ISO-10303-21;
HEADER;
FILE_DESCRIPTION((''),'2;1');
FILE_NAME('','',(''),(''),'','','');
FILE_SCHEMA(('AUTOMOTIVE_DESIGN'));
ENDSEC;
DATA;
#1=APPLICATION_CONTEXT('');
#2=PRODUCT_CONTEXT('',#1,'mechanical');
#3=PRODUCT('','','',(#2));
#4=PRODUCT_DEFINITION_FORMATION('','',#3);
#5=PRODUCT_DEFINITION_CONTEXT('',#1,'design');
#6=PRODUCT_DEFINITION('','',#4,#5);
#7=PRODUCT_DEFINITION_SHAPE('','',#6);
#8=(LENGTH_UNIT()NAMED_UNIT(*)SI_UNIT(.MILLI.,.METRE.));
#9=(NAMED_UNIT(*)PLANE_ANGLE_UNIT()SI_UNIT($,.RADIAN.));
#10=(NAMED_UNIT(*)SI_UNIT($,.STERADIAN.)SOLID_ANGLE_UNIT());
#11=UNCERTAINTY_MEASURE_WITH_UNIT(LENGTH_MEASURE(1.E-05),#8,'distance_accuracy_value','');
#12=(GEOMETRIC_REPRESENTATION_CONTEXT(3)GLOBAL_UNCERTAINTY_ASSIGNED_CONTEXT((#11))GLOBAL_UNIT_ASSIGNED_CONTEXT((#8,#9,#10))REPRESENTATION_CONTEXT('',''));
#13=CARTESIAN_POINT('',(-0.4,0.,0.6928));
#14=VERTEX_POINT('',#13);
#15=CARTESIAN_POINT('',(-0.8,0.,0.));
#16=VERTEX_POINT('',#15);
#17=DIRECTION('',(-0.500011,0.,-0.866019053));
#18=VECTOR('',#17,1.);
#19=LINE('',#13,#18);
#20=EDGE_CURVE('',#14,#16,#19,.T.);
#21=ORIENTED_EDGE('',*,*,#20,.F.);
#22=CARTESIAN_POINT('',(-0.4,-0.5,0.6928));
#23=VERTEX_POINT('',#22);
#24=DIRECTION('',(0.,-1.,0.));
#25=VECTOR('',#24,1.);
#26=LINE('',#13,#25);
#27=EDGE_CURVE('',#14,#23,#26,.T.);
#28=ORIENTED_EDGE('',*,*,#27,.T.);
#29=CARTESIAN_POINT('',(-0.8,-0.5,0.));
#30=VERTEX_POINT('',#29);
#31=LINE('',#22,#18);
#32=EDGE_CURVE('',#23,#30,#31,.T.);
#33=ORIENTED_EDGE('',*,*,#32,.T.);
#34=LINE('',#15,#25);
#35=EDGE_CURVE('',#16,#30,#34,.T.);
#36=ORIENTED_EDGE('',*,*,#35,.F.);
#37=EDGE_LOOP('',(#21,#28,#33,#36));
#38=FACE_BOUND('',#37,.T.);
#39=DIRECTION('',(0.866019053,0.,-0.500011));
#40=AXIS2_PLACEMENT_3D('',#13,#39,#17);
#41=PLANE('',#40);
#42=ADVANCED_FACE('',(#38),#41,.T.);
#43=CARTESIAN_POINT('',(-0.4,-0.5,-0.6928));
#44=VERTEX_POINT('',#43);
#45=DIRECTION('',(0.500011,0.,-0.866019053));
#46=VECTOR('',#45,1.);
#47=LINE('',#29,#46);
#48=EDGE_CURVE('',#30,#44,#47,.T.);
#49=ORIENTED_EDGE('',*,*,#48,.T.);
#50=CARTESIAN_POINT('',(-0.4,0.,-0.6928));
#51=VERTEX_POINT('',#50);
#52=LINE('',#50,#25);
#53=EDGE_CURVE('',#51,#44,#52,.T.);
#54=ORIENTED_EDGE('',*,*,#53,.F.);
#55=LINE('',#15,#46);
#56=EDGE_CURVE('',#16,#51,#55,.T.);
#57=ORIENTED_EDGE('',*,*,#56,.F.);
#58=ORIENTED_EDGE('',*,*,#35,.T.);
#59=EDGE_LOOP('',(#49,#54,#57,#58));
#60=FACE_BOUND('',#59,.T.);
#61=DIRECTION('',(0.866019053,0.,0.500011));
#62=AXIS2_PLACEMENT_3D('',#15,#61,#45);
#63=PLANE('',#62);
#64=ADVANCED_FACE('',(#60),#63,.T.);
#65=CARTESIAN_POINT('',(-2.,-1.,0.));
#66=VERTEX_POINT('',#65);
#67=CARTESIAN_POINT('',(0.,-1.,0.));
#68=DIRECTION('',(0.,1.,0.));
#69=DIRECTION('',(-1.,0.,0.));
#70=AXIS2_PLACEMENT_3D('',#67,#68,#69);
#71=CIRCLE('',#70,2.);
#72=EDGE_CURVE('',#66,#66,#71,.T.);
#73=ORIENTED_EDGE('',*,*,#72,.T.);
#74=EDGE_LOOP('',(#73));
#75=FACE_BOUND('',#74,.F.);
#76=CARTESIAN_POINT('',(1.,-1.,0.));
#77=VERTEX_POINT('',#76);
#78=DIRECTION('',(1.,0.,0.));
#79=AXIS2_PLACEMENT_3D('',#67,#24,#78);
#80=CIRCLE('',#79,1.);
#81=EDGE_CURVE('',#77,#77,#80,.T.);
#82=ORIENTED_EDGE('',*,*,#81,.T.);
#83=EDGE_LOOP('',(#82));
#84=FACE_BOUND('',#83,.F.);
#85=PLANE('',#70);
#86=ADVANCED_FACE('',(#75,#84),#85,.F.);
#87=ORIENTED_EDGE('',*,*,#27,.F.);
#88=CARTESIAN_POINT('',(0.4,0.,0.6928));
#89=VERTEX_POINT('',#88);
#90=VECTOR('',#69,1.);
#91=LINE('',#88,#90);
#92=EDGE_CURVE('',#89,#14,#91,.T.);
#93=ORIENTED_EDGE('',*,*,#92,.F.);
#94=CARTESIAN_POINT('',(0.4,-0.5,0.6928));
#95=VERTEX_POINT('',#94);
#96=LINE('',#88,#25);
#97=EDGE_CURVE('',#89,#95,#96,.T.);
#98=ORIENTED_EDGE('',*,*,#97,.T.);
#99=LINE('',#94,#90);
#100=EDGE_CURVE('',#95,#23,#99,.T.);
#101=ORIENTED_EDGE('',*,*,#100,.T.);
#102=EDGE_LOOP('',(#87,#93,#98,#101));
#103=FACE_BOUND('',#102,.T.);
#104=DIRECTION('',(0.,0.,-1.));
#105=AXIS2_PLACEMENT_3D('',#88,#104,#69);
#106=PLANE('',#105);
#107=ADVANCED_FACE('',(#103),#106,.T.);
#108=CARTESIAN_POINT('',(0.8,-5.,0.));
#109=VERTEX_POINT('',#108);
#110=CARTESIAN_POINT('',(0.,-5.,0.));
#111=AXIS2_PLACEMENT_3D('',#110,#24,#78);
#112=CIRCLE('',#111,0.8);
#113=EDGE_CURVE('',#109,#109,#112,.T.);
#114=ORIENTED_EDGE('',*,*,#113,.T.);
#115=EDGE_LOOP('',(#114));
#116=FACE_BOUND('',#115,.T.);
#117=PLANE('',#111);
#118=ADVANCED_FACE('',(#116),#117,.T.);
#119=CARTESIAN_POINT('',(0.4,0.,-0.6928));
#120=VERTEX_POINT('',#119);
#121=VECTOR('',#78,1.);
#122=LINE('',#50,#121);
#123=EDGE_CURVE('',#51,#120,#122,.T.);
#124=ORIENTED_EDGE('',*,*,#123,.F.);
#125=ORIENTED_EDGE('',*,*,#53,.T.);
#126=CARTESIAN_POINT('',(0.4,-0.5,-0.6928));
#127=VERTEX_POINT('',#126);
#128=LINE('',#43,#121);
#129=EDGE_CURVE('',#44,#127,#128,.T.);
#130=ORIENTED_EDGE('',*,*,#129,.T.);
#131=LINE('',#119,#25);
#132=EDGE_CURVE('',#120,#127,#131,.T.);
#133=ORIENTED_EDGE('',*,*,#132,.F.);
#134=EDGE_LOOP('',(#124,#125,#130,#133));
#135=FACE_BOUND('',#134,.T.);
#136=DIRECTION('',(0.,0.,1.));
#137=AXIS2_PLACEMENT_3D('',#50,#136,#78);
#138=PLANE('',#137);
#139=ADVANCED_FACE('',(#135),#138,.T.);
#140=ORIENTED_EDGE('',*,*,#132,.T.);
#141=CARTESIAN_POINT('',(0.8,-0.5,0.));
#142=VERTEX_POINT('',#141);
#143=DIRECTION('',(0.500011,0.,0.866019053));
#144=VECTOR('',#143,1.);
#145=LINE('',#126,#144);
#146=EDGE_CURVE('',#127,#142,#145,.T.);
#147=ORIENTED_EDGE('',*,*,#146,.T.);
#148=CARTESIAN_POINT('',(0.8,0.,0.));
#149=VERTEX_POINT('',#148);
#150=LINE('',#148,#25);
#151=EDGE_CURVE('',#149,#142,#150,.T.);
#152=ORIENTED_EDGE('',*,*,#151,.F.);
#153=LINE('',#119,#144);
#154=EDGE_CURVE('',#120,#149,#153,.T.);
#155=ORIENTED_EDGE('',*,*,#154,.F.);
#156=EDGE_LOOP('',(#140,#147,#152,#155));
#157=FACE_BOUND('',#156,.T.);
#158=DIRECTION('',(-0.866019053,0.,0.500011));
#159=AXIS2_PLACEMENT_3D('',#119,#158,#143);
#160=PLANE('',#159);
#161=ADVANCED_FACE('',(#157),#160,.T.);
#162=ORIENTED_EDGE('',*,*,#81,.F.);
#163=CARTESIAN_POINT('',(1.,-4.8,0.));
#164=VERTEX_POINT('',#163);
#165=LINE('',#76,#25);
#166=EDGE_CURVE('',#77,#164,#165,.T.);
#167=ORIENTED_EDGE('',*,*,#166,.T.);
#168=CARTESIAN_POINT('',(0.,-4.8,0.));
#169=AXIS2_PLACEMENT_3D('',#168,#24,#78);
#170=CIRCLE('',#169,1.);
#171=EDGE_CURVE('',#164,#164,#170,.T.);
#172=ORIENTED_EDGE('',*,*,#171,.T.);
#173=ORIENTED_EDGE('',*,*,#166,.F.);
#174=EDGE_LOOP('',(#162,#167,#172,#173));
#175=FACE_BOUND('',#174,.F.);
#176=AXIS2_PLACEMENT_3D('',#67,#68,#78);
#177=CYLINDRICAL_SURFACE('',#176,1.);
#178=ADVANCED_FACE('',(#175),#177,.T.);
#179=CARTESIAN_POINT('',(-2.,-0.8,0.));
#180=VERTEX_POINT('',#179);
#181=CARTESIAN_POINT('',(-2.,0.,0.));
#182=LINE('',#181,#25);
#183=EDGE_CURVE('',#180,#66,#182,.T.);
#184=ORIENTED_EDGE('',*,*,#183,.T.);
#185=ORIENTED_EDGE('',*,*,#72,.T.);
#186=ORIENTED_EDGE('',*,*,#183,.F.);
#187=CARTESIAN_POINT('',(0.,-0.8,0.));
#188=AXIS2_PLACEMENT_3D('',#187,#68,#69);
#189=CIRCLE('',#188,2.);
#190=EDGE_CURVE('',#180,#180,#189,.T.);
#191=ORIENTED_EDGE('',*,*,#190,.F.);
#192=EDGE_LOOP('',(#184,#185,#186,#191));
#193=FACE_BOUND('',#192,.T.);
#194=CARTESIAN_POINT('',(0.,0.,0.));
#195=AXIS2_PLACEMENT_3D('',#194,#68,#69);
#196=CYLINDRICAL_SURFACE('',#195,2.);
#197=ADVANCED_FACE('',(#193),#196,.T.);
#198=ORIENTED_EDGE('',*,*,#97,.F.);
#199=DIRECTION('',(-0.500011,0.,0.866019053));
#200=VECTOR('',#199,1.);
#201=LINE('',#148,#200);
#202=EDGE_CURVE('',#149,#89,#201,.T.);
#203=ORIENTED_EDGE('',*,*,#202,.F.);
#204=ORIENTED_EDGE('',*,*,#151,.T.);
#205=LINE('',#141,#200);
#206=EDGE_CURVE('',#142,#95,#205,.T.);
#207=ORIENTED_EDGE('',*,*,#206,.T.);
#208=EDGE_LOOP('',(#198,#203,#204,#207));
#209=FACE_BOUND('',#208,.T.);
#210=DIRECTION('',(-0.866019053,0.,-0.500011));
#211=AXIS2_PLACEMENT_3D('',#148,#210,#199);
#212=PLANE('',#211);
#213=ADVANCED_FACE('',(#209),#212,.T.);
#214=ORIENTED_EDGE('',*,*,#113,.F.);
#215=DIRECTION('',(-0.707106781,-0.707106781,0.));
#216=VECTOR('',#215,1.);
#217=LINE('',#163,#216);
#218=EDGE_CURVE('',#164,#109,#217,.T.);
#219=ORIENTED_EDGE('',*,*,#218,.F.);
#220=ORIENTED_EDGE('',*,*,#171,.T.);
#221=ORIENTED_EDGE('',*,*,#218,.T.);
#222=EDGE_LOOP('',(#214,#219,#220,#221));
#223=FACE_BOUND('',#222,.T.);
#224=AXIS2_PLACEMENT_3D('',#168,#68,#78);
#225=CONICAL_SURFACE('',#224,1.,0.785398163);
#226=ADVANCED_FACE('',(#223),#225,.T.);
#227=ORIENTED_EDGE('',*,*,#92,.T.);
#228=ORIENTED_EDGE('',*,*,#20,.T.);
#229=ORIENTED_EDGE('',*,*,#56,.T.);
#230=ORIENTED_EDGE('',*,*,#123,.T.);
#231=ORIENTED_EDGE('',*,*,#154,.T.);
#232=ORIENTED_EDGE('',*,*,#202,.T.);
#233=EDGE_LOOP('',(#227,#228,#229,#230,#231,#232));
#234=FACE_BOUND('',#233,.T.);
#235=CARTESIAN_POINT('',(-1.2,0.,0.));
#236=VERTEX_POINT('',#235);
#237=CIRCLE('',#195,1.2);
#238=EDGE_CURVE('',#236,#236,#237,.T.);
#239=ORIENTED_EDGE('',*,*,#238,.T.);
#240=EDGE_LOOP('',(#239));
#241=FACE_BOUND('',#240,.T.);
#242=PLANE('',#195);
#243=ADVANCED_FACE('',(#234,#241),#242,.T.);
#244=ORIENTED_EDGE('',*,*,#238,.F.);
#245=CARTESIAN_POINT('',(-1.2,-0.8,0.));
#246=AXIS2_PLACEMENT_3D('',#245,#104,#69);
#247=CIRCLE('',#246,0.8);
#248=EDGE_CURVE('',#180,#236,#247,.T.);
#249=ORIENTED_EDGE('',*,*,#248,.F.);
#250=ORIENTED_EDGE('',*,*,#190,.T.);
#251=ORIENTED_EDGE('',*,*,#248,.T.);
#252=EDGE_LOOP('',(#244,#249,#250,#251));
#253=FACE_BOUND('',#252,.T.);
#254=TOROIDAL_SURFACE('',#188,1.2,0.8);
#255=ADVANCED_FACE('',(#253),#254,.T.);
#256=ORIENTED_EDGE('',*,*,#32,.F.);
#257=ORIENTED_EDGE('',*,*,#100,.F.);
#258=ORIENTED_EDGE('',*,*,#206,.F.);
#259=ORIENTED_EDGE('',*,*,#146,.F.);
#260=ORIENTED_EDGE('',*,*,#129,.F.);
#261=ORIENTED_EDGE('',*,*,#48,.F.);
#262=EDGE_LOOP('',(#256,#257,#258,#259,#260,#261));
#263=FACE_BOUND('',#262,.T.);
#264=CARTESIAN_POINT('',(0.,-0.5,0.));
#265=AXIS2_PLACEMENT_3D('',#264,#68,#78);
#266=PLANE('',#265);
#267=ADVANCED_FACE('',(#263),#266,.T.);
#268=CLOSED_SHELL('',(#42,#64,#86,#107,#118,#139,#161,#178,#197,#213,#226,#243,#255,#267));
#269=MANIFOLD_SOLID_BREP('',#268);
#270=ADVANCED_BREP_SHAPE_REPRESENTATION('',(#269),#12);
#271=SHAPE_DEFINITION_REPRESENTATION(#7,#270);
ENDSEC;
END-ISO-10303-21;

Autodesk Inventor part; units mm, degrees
ref_plane "YZ Plane" through (0, 0, 0) normal (1, 0, 0) x (0, 1, 0)
ref_plane "XZ Plane" through (0, 0, 0) normal (0, 1, 0) x (-1, 0, 0)
ref_plane "XY Plane" through (0, 0, 0) normal (0, 0, 1) x (1, 0, 0)
sketch "スケッチ1" plane through (0, 0, 0) normal (0, 1, 0) x (-1, 0, 0)
  circle A0 centre (0, 0) radius 2
  dimension "d0" = 4
extrude "押し出し1" add sketch "スケッチ1" against normal blind 1
sketch "スケッチ2" plane through (0, -1, 0) normal (0, -1, 0) x (1, 0, 0)
  circle A0 centre (0, 0) radius 1
  dimension "d3" = 2
extrude "押し出し2" add sketch "スケッチ2" along normal blind 4
chamfer "面取り1" distance 0.2 angle 45 1 edges at (-1, -5, 0)
fillet "フィレット1" radius 0.8 1 edges at (2, 0, 0)
thread "ねじ1" size "M2x0.4" class "6g" standard "ANSI Metric M Profile" full length
sketch "スケッチ3" plane through (0, 0, 0) normal (0, 1, 0) x (1, 0, 0)
  circle A0 centre (0, 0) radius 0.8 projected
  line L0 (-0.8, 0) -> (-0.4, 0.6928)
  line L1 (-0.8, 0) -> (0, 0) construction
  line L2 (-0.4, -0.6928) -> (-0.8, 0)
  line L3 (0.4, -0.6928) -> (-0.4, -0.6928)
  line L4 (0.8, 0) -> (0.4, -0.6928)
  line L5 (0.4, 0.6928) -> (0.8, 0)
  line L6 (-0.4, 0.6928) -> (0.4, 0.6928)
  point P0 (0.8, 0)
  dimension "d12" = 0.8
  dimension "d13" = 60
  dimension "d16" = 360
extrude "押し出し3" cut sketch "スケッチ3" against normal blind 0.5 contours L4 L3 L2 L0 L6 L5
properties part number "M2-4_screw" material "ステンレス鋼 440C"
